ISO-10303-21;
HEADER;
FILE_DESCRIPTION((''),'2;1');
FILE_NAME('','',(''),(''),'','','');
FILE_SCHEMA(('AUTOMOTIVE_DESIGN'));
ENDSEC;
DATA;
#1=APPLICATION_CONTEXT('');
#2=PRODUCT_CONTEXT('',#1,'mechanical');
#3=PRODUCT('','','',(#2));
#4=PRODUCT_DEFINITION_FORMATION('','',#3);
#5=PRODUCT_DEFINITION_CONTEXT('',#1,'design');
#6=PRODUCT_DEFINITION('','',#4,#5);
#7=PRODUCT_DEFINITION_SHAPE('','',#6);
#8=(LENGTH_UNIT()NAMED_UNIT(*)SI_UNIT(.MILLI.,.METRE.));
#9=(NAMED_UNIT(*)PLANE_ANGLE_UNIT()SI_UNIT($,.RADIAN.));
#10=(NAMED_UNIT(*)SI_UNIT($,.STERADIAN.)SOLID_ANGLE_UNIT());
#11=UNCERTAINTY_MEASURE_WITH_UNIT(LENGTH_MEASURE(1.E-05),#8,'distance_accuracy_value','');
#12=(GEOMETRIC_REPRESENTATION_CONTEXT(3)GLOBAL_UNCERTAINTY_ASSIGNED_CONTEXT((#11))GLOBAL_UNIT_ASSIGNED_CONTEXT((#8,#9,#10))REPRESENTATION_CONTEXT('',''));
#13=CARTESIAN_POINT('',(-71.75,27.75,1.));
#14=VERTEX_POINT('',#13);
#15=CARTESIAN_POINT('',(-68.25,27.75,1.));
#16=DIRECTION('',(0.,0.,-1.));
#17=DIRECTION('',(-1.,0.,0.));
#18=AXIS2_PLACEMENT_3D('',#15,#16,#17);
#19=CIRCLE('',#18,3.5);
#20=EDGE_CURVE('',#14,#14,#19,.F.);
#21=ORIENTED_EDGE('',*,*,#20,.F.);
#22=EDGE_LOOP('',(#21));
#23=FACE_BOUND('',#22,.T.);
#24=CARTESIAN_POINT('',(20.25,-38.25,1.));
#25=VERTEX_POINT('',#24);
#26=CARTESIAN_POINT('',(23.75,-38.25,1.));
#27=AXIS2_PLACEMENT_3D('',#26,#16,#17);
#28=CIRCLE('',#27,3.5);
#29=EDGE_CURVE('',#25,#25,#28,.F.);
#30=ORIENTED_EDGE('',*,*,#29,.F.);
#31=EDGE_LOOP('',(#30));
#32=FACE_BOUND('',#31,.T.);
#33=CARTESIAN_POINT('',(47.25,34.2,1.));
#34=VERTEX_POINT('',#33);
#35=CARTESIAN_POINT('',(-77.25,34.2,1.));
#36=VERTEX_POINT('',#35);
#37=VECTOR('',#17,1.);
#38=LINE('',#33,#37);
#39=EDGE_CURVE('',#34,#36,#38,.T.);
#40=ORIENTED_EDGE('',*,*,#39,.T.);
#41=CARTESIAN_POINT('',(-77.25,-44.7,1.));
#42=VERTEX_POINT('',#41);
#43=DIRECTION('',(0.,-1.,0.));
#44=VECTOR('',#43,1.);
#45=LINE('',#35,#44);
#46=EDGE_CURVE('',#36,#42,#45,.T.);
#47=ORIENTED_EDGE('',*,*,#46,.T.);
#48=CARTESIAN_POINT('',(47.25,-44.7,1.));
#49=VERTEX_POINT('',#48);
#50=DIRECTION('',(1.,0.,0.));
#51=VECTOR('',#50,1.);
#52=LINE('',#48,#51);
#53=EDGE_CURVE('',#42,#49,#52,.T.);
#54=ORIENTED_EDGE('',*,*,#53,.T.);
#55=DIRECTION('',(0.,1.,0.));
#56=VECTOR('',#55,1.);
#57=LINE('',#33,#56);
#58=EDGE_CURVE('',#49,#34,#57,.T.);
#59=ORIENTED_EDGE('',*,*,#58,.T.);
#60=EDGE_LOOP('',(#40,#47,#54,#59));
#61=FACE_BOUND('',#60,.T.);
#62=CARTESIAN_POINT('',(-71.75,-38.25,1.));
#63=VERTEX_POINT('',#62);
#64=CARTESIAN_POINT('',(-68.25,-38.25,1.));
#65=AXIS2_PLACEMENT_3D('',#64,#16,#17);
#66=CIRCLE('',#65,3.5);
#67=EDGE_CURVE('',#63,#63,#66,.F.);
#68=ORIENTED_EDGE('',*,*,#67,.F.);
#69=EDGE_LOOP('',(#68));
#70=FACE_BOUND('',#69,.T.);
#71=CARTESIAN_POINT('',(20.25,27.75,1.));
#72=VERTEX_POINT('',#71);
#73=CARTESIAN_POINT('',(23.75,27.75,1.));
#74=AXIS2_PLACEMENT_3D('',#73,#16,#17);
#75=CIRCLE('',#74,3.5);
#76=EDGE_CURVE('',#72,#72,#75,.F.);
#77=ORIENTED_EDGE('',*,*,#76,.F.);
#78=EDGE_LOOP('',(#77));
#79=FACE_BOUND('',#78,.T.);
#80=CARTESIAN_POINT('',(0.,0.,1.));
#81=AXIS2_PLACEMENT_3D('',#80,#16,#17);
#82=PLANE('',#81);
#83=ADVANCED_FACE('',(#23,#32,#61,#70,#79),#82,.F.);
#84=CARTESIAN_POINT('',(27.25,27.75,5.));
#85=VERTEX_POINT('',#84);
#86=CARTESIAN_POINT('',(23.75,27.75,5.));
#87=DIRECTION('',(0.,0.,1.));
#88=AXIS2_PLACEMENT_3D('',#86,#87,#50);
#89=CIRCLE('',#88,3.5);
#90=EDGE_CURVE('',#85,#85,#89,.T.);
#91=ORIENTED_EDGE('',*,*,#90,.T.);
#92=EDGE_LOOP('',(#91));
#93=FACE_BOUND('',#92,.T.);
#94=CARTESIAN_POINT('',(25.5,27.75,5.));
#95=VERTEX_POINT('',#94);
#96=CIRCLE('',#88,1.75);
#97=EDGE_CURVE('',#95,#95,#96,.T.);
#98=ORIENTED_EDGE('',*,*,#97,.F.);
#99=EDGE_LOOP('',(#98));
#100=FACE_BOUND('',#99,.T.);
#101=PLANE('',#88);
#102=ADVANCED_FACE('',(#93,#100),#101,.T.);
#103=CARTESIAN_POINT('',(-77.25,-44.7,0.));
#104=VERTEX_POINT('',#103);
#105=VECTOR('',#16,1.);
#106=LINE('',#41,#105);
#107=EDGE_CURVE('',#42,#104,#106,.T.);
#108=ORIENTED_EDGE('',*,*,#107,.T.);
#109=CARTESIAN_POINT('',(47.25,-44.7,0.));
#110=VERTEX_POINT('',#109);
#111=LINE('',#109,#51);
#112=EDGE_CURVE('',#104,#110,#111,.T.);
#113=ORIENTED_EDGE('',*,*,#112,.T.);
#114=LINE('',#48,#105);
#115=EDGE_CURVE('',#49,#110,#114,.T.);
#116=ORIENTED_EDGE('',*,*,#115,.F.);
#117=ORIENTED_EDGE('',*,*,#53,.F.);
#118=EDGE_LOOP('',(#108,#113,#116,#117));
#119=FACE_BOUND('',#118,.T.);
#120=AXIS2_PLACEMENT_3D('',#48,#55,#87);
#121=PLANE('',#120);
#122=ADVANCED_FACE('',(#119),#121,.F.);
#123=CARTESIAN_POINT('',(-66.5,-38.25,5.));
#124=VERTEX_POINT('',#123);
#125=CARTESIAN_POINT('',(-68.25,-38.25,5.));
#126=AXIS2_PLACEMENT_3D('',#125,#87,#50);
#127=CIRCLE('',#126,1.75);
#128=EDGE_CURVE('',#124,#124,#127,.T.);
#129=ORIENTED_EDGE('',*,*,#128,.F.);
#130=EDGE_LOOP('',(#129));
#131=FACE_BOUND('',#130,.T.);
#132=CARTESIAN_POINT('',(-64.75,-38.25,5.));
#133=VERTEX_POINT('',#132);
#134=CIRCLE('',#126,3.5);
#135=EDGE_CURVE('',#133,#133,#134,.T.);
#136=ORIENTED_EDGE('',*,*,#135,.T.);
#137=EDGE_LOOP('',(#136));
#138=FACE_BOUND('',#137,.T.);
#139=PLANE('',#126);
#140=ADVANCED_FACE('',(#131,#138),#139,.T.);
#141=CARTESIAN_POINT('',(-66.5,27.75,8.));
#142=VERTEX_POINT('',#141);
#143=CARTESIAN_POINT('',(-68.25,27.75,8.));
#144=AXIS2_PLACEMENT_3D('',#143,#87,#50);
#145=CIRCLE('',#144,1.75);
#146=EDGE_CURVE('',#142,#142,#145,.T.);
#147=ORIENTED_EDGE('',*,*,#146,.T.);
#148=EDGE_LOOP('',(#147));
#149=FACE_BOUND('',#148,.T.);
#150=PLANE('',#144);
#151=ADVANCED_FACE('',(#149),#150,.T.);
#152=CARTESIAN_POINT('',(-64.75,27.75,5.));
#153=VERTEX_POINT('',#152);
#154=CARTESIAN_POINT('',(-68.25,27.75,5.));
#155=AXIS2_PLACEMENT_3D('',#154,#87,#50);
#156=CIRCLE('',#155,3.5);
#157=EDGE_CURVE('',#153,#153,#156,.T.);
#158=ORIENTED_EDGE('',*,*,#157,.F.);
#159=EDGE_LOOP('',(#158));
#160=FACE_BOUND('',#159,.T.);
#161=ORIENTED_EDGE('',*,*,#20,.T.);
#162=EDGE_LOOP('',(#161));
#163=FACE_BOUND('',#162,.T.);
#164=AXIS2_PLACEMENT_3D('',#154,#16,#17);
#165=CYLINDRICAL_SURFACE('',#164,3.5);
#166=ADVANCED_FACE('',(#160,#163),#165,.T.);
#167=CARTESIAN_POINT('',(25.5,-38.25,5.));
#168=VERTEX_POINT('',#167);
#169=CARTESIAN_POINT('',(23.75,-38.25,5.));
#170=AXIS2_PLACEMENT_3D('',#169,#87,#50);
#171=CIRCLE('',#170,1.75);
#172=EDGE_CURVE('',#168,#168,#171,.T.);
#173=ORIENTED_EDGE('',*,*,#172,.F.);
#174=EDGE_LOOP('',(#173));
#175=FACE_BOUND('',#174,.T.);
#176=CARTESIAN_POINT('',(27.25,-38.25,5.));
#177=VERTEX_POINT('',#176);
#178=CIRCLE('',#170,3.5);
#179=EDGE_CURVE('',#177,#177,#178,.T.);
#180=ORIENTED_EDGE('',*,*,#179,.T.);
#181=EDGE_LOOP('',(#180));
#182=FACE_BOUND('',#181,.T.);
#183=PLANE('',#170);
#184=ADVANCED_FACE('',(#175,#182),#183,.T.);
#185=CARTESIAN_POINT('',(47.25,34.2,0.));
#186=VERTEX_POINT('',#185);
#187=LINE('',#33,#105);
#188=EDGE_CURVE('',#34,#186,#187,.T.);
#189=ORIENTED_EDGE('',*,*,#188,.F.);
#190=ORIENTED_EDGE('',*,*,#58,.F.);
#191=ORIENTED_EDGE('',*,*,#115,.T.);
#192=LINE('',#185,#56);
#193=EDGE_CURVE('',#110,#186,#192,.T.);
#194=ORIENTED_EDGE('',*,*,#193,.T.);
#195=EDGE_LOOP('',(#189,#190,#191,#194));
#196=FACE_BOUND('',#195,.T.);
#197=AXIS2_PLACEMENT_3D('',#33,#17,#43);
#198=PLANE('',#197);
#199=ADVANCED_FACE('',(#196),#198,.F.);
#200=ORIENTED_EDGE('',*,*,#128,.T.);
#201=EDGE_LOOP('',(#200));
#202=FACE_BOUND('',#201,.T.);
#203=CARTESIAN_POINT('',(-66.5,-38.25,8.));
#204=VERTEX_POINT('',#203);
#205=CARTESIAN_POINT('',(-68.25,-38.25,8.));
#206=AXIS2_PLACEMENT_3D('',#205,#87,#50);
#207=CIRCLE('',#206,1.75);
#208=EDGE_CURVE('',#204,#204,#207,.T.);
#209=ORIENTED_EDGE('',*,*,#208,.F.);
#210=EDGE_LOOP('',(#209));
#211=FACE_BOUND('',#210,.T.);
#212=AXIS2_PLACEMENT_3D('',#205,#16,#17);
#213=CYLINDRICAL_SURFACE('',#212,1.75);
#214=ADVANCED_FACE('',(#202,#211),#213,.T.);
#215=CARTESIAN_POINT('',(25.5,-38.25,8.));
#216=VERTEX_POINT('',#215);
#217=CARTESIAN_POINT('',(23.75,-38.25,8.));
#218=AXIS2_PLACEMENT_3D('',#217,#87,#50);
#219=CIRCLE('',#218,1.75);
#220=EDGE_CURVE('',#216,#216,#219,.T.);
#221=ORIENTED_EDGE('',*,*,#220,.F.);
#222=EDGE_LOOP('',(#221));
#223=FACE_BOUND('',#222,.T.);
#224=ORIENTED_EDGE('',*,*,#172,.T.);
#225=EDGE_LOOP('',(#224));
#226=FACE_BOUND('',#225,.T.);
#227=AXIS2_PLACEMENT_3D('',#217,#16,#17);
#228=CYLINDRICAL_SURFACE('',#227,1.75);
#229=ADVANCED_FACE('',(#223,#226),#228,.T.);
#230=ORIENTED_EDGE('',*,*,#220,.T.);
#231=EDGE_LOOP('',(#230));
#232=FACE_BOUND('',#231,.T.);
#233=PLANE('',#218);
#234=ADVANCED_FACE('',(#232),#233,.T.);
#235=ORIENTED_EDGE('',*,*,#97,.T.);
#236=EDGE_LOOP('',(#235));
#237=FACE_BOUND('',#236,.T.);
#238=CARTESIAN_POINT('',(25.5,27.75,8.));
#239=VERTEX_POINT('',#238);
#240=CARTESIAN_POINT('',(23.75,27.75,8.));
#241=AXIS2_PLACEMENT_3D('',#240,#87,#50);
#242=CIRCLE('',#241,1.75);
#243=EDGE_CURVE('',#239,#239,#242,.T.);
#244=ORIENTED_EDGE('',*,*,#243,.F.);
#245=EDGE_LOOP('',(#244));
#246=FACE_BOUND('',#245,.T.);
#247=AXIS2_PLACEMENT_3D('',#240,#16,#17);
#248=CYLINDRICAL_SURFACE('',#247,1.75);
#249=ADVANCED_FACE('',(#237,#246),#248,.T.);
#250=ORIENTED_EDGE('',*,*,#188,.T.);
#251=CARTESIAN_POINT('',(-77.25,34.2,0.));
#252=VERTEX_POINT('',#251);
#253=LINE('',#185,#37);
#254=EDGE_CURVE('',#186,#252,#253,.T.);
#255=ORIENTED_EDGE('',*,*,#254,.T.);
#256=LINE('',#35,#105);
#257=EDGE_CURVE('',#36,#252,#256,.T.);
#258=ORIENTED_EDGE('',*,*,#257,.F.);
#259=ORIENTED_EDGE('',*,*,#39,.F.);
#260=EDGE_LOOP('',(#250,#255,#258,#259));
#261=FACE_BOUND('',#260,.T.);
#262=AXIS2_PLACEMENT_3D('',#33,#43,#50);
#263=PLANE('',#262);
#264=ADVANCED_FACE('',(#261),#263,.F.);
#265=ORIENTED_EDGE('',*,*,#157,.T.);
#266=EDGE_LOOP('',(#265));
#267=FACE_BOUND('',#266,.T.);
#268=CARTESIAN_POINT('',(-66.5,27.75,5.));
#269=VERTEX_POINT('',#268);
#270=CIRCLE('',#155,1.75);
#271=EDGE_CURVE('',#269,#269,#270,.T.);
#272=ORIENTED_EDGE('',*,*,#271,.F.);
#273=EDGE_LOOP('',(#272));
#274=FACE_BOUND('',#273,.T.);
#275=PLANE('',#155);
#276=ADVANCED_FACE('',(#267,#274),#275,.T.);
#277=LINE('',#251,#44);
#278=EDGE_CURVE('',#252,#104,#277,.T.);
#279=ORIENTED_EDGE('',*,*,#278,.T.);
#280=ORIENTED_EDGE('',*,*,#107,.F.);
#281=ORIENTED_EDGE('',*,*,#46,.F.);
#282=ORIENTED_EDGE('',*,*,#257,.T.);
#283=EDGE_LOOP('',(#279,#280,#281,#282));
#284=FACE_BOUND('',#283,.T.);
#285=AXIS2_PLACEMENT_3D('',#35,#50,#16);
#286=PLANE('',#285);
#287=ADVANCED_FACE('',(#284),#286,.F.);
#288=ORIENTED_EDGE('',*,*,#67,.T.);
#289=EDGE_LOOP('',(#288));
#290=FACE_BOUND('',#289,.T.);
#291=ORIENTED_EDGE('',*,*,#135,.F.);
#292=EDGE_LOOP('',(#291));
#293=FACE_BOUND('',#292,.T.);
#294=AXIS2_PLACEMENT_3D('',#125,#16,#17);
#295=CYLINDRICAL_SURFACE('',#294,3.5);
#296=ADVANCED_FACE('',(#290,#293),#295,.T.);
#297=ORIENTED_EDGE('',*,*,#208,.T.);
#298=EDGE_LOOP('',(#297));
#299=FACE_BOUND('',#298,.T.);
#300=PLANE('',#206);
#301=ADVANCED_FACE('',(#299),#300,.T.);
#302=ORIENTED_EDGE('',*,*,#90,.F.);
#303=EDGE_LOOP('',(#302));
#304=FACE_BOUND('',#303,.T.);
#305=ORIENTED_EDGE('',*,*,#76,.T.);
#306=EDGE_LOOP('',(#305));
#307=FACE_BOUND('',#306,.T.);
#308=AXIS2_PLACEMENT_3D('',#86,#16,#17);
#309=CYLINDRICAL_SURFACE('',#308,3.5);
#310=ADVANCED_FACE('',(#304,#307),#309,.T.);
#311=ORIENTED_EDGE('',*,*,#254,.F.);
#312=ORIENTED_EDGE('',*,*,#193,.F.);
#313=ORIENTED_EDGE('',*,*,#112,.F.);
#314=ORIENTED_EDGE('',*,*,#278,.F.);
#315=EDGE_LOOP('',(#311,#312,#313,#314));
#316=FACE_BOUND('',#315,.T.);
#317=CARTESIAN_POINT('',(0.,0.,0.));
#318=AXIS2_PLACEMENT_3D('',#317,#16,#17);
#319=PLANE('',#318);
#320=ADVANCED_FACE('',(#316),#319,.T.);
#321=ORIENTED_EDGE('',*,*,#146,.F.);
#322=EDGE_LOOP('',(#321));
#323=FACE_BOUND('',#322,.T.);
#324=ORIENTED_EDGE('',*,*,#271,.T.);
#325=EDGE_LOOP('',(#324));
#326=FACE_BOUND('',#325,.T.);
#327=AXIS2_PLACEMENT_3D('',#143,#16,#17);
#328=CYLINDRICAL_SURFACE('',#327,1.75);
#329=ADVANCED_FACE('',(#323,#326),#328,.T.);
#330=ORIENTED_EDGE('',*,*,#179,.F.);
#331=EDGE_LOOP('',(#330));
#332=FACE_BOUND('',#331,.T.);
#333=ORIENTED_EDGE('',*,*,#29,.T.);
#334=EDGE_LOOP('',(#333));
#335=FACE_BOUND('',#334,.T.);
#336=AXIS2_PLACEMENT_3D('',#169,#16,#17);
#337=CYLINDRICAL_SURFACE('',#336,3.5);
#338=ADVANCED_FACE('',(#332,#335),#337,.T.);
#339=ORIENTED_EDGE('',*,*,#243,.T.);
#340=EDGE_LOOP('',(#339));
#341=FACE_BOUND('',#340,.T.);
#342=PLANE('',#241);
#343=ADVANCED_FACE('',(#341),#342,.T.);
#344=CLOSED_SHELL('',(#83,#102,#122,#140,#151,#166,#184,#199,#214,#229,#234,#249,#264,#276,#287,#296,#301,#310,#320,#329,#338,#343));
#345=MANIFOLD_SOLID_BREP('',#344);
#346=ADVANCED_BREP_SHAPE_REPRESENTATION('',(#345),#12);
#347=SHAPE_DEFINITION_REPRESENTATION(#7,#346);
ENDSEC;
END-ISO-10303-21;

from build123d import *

# Parameters (mm, degrees)
SKETCH1_W           = 124.5
SKETCH1_H           = 78.9
BOSS_EXTRUDE1_DEPTH = 1
SKETCH2_R           = 3.5
BOSS_EXTRUDE2_DEPTH = 4
SKETCH3_R           = 1.75
BOSS_EXTRUDE3_DEPTH = 3


with BuildPart() as part:
    # Sketch1 → Boss-Extrude1 (new body)
    with BuildSketch(Plane.XY):
        with Locations((-15, -5.25)):
            Rectangle(SKETCH1_W, SKETCH1_H)
    extrude(amount=BOSS_EXTRUDE1_DEPTH)

    # Sketch2 → Boss-Extrude2 (add)
    with BuildSketch(Plane.XY.offset(1)):
        with Locations(Location((-68.25, 27.75, 0), (0, 0, 180))):
            Circle(SKETCH2_R)
        with Locations(Location((23.75, 27.75, 0), (0, 0, 180))):
            Circle(SKETCH2_R)
        with Locations(Location((23.75, -38.25, 0), (0, 0, 180))):
            Circle(SKETCH2_R)
        with Locations(Location((-68.25, -38.25, 0), (0, 0, 180))):
            Circle(SKETCH2_R)
    extrude(amount=BOSS_EXTRUDE2_DEPTH)

    # Sketch3 → Boss-Extrude3 (add)
    with BuildSketch(Plane.XY.offset(5)):
        with Locations((-68.25, 27.75)):
            Circle(SKETCH3_R)
        with Locations((23.75, 27.75)):
            Circle(SKETCH3_R)
        with Locations((23.75, -38.25)):
            Circle(SKETCH3_R)
        with Locations((-68.25, -38.25)):
            Circle(SKETCH3_R)
    extrude(amount=BOSS_EXTRUDE3_DEPTH)


solid = part.part
